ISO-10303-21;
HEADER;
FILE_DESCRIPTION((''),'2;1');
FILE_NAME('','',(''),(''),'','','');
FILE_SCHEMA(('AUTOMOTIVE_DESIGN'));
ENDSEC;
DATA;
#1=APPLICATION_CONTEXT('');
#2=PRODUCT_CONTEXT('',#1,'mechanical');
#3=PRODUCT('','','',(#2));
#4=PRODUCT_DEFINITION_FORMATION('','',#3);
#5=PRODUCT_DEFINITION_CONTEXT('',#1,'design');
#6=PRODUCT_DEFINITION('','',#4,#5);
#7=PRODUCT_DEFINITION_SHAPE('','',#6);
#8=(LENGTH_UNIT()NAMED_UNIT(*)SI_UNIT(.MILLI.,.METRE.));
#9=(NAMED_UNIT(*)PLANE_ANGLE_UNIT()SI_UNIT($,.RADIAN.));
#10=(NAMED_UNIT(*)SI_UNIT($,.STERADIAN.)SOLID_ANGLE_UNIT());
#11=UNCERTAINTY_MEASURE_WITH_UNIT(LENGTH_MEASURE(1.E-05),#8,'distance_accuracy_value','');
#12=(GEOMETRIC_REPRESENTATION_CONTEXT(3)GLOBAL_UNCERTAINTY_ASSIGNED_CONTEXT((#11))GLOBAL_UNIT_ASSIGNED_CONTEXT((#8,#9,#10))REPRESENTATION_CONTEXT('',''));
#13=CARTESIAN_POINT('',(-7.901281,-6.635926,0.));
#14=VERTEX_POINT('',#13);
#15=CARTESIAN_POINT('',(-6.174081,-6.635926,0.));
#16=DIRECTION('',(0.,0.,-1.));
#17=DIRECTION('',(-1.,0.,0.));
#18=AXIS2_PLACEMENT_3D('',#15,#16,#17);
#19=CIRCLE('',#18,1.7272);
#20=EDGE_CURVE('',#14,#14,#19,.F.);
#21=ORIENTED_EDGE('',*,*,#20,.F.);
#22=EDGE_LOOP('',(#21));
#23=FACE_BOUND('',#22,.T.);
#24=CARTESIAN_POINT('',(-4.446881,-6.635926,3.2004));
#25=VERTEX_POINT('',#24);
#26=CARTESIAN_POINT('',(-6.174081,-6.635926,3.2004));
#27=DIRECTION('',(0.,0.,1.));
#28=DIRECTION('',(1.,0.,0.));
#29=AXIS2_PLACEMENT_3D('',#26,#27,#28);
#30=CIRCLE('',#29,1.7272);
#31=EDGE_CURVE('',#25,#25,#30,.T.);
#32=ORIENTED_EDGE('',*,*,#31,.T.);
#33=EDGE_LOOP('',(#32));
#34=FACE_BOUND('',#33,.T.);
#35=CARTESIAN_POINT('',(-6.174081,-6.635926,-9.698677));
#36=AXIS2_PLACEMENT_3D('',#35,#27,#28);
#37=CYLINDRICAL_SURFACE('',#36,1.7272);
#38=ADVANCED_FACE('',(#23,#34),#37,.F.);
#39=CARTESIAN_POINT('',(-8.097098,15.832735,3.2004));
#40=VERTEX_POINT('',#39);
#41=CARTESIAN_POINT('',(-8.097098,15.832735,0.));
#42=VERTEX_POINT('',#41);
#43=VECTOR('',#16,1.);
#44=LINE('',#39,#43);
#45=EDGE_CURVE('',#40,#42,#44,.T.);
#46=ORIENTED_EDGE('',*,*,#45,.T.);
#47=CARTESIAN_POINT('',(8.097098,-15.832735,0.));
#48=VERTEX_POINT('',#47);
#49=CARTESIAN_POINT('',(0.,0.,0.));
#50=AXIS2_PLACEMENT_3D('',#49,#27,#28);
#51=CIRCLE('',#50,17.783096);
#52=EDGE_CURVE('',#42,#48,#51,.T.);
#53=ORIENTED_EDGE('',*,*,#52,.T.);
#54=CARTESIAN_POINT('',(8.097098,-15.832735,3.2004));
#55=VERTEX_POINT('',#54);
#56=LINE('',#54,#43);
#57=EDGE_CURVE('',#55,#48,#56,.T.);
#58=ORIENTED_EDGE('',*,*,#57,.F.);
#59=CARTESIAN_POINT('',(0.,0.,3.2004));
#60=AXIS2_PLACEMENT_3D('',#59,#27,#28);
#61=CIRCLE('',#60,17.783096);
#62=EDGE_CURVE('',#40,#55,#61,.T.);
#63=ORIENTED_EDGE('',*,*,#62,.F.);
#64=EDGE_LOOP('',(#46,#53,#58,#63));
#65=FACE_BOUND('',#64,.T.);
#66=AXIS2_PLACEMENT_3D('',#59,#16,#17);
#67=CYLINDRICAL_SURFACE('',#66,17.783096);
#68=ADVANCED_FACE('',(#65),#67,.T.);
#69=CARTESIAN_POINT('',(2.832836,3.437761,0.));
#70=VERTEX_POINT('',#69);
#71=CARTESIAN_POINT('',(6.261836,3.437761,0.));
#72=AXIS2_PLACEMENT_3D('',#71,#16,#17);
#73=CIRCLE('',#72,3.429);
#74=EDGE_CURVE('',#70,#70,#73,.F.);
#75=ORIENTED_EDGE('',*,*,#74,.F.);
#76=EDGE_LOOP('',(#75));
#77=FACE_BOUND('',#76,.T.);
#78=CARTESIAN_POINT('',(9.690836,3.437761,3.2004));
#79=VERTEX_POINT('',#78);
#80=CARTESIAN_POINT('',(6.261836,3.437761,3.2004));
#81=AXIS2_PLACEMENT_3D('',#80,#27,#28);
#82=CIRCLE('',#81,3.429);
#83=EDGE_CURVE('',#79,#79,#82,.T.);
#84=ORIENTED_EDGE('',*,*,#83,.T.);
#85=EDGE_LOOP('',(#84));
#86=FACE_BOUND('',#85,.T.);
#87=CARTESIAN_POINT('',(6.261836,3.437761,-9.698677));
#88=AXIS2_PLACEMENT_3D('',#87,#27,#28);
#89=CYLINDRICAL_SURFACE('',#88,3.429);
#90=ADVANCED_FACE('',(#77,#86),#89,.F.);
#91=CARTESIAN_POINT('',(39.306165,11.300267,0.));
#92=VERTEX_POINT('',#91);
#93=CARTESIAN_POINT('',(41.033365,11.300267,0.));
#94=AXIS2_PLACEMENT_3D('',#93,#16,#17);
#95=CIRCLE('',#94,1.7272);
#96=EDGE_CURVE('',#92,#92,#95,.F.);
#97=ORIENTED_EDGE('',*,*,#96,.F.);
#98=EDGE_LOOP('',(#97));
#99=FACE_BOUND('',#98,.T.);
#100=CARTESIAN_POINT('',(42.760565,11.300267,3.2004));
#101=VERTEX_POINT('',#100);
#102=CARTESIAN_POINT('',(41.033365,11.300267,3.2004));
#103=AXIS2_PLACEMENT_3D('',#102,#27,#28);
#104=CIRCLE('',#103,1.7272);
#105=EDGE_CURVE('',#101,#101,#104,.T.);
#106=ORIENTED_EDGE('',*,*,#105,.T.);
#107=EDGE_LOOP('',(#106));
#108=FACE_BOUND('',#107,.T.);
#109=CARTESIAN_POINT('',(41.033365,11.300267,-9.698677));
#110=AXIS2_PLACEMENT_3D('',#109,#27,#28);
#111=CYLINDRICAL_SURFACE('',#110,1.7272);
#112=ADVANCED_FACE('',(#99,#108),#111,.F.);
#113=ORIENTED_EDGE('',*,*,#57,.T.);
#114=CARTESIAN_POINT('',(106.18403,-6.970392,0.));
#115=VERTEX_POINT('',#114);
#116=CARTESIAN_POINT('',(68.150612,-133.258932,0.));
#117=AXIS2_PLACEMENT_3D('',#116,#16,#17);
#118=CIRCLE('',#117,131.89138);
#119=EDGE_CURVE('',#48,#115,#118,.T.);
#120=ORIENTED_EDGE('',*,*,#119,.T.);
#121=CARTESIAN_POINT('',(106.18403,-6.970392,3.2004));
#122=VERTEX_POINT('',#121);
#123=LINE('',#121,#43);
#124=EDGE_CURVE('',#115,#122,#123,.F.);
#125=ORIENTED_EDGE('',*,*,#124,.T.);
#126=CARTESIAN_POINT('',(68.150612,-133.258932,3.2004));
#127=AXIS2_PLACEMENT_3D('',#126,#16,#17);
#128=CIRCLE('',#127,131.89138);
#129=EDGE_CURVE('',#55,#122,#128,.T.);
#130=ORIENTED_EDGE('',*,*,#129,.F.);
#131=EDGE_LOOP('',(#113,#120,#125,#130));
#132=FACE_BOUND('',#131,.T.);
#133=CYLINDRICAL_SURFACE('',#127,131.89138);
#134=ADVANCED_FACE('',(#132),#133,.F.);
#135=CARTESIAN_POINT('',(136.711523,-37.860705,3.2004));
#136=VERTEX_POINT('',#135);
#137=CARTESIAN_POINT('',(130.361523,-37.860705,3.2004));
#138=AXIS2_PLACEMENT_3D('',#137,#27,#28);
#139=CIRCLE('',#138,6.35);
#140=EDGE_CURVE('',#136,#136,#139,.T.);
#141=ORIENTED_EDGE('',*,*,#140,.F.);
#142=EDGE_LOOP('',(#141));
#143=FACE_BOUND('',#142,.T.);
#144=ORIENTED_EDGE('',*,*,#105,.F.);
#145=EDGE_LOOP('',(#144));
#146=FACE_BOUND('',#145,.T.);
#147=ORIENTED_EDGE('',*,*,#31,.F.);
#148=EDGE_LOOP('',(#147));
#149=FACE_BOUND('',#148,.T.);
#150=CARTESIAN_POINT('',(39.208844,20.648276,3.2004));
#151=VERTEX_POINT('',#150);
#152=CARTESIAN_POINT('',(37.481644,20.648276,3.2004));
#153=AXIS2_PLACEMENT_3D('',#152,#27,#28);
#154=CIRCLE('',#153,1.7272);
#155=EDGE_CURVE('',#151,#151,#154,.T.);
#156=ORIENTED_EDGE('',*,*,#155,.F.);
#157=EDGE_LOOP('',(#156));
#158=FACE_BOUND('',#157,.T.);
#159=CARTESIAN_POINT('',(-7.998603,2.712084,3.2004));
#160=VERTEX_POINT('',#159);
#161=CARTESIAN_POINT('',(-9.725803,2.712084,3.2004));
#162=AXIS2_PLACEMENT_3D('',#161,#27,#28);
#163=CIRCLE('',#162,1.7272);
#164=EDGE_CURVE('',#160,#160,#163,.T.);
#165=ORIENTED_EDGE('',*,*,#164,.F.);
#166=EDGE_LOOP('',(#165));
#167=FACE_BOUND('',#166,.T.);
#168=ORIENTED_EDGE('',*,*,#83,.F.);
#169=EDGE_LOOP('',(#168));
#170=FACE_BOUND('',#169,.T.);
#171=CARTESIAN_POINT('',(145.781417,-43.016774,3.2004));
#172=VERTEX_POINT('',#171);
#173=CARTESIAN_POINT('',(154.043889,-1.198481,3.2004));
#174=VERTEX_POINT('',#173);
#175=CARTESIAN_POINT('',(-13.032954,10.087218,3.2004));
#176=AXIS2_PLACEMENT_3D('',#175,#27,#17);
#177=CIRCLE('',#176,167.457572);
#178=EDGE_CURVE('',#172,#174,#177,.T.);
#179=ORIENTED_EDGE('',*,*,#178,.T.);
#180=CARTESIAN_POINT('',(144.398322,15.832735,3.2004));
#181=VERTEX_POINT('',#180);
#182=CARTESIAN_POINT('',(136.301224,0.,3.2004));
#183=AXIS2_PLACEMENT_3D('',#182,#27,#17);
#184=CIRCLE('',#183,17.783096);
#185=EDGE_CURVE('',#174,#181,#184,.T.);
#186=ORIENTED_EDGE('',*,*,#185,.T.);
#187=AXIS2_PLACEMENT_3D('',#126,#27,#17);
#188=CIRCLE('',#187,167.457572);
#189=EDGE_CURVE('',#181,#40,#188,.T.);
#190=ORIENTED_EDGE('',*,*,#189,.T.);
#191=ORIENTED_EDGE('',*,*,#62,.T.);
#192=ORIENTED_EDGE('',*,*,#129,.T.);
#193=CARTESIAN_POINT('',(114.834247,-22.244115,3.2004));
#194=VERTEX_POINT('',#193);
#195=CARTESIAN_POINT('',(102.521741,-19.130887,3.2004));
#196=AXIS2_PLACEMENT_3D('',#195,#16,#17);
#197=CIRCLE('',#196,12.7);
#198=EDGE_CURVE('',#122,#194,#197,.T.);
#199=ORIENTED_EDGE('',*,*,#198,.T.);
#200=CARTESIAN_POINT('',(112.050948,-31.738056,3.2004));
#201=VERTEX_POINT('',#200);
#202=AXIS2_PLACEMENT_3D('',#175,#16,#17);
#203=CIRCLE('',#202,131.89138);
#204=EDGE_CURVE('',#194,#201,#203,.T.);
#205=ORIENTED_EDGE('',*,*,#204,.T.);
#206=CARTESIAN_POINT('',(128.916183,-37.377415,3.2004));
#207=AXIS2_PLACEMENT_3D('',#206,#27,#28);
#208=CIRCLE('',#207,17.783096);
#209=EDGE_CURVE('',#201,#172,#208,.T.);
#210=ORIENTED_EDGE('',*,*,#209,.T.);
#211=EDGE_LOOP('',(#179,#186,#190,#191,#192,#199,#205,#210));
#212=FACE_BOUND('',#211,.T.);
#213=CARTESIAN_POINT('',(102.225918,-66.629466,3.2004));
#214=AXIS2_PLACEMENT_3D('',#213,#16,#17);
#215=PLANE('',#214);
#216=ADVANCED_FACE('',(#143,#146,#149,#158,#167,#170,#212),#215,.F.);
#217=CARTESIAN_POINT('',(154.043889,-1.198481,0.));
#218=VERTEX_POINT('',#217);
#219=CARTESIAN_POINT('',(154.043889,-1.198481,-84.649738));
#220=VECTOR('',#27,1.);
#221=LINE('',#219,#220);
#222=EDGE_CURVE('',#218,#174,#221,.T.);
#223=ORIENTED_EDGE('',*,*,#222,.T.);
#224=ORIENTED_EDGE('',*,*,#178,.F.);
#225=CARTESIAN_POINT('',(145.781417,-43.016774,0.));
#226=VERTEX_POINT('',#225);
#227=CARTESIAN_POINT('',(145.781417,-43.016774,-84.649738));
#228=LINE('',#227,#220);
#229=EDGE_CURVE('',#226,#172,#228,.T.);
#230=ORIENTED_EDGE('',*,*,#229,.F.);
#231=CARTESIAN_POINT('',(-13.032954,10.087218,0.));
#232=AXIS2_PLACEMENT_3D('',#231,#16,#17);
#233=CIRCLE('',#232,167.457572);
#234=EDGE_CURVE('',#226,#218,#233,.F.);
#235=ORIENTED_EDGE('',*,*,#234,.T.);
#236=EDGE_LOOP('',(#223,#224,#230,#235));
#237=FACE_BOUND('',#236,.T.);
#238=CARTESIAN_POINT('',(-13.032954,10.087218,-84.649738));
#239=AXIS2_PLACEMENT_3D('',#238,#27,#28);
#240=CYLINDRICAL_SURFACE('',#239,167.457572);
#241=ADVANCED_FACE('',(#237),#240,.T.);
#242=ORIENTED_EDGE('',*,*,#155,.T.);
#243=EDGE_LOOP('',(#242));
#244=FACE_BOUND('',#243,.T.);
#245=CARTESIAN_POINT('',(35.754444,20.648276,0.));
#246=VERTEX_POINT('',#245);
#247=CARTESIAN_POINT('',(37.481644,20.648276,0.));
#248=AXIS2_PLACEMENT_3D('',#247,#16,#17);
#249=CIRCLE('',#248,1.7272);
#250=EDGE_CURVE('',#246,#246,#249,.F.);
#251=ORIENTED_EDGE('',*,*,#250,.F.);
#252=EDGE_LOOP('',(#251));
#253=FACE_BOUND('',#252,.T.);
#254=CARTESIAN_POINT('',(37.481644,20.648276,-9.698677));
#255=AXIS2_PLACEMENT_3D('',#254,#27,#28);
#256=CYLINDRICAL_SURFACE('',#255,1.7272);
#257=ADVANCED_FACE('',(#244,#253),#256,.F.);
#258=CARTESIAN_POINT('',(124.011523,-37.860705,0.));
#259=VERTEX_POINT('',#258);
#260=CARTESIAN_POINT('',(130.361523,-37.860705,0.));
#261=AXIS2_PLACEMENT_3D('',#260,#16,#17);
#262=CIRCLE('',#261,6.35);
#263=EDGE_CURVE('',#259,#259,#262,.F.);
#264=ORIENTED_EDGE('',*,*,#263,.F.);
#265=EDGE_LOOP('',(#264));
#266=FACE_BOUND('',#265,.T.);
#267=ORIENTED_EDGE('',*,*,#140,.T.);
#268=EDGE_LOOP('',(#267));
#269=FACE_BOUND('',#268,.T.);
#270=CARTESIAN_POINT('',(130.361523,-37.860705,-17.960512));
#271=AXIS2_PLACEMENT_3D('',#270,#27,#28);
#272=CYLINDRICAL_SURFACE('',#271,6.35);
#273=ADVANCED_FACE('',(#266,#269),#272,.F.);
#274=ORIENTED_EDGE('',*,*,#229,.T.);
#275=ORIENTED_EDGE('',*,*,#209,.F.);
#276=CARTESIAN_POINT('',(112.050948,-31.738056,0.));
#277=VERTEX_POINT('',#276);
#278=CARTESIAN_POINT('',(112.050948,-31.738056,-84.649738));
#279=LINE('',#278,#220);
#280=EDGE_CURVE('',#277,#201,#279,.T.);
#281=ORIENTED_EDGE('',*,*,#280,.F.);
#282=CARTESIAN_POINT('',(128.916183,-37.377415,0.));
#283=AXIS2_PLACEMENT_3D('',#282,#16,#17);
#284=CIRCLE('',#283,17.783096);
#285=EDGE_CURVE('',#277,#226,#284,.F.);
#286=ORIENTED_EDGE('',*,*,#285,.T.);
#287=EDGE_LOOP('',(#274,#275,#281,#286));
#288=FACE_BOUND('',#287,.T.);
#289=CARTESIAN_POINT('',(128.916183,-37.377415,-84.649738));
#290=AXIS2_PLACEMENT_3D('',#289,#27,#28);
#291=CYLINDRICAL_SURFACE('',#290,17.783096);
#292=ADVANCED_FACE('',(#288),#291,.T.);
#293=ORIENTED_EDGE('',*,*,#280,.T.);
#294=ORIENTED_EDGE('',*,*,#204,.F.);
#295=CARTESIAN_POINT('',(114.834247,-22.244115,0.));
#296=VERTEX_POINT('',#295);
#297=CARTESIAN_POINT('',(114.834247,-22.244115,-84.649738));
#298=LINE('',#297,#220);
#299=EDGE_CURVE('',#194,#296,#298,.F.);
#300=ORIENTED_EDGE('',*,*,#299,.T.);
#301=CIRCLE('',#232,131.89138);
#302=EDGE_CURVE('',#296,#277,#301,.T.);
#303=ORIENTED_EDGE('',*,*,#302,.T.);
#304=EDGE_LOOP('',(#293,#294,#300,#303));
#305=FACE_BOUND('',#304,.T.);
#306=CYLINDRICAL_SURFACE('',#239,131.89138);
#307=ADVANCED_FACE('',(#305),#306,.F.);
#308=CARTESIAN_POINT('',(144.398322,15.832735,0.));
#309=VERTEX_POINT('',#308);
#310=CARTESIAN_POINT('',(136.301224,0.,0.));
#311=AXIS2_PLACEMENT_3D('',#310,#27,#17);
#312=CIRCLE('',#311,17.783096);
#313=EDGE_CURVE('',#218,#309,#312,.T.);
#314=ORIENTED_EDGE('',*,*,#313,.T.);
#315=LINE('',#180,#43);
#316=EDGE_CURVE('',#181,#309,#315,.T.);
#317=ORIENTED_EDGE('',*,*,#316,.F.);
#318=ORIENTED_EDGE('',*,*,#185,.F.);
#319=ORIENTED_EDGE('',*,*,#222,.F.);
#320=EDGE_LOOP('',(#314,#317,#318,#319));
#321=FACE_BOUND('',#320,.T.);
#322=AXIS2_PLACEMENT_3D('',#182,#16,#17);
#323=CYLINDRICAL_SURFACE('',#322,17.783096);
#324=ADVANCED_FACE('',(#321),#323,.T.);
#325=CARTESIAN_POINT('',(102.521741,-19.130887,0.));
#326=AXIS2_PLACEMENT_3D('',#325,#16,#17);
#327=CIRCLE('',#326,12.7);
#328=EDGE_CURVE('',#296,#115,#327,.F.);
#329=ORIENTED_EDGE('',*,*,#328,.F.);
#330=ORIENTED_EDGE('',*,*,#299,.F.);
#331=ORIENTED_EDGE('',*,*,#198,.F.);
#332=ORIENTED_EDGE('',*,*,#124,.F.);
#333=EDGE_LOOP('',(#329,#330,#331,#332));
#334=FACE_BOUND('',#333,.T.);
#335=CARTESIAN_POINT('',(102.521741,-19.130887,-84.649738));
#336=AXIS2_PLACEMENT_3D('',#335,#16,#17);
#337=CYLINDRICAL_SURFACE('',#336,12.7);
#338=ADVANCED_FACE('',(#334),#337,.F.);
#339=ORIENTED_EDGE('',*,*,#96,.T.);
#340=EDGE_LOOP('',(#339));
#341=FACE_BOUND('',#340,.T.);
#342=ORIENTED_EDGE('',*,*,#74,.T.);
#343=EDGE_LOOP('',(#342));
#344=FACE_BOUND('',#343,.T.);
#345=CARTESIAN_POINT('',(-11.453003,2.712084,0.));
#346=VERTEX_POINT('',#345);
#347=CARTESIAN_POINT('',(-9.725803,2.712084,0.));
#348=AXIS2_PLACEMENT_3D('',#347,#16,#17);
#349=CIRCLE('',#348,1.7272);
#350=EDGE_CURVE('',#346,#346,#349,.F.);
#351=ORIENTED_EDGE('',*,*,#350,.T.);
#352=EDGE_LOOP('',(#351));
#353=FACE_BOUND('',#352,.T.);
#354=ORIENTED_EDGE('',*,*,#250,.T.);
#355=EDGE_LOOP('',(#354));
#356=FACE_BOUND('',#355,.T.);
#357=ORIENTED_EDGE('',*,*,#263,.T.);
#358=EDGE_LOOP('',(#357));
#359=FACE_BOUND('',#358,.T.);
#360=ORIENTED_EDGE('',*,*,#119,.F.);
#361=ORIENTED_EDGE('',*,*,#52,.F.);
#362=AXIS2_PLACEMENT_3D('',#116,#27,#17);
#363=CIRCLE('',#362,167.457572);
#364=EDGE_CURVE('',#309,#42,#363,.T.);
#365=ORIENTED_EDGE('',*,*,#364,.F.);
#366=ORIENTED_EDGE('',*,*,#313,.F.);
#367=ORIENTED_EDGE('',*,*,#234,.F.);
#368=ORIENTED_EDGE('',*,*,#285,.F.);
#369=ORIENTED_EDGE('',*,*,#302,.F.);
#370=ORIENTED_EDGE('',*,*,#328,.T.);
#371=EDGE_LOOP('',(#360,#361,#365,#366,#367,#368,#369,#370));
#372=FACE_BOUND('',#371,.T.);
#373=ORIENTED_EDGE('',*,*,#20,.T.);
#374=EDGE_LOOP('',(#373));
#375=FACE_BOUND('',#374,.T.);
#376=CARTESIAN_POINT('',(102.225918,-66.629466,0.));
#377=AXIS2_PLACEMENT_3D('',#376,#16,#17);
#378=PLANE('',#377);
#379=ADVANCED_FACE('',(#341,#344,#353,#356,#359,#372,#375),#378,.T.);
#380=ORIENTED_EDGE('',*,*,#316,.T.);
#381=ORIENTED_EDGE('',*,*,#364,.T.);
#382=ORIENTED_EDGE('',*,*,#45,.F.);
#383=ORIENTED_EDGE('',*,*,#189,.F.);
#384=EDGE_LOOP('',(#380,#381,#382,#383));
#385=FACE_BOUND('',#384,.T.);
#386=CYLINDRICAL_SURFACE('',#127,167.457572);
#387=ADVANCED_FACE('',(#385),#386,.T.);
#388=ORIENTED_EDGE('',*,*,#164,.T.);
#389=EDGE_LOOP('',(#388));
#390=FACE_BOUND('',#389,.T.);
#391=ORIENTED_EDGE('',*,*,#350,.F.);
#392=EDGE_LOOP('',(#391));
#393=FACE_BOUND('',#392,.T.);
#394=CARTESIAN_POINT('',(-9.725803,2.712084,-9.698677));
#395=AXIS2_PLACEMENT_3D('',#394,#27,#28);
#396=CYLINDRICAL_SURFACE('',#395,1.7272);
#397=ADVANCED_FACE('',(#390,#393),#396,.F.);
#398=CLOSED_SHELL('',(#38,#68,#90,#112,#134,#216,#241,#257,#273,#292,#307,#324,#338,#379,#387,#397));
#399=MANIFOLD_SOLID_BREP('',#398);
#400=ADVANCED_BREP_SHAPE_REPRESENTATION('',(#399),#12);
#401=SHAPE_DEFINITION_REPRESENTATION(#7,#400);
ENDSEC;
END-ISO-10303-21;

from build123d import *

# Parameters (mm, degrees)
BOSS_EXTRUDE1_DEPTH = 3.2004
SKETCH2_R           = 1.7272
SKETCH2_R_2         = 3.429
CUT_EXTRUDE1_DEPTH  = 3.2004
BOSS_EXTRUDE2_START = -3.2004
BOSS_EXTRUDE2_DEPTH = 3.2004
SKETCH4_R           = 6.35
CUT_EXTRUDE2_DEPTH  = 3.2004
FILLET1_R           = 12.7


with BuildPart() as part:
    # Sketch1 → Boss-Extrude1 (new body)
    with BuildSketch(Plane.XY):
        with BuildLine():
            ThreePointArc((-8.097097761, 15.832735205), (68.150612211, 34.198640293), (144.398322183, 15.832735205))
            ThreePointArc((144.398322183, 15.832735205), (152.133959628, -8.097097761), (128.204126662, -15.832735205))
            ThreePointArc((128.204126662, -15.832735205), (68.150612211, -1.367551307), (8.097097761, -15.832735205))
            ThreePointArc((8.097097761, -15.832735205), (-15.832735205, -8.097097761), (-8.097097761, 15.832735205))
        make_face()
    extrude(amount=BOSS_EXTRUDE1_DEPTH)

    # Sketch2 → Cut-Extrude1 (cut)
    with BuildSketch(Plane.XY.offset(3.2004)):
        with Locations((41.033365074, 11.300266799)):
            Circle(SKETCH2_R)
        with Locations((-9.725802761, 2.712083558)):
            Circle(SKETCH2_R)
        with Locations((-6.174081457, -6.6359257)):
            Circle(SKETCH2_R)
        with Locations((37.48164377, 20.648276058)):
            Circle(SKETCH2_R)
        with Locations((6.261836343, 3.437760818)):
            Circle(SKETCH2_R_2)
    extrude(amount=-CUT_EXTRUDE1_DEPTH, mode=Mode.SUBTRACT)

    # Sketch3 → Boss-Extrude2 (add)
    with BuildSketch(Plane.XY.offset(3.2004).offset(BOSS_EXTRUDE2_START)):
        with BuildLine():
            ThreePointArc((118.558560015, 1.198480685), (137.499705108, 17.742664408), (154.04388883, -1.198480685))
            ThreePointArc((154.04388883, -1.198480685), (151.248704167, -22.371604894), (145.781416871, -43.0167742))
            ThreePointArc((145.781416871, -43.0167742), (123.276823543, -54.242649292), (112.05094845, -31.738055964))
            ThreePointArc((112.05094845, -31.738055964), (116.357042584, -15.477699112), (118.558560015, 1.198480685))
        make_face()
    extrude(amount=BOSS_EXTRUDE2_DEPTH)

    # Sketch4 → Cut-Extrude2 (cut)
    with BuildSketch(Plane.XY.offset(3.2004)):
        with Locations((130.361522506, -37.860704571)):
            Circle(SKETCH4_R)
    extrude(amount=-CUT_EXTRUDE2_DEPTH, mode=Mode.SUBTRACT)

    # Fillet1
    fillet1_edges = [part.edges().sort_by_distance(p)[0] for p in [
        (117.190242121, -10.823434725, 1.6002),
    ]]
    fillet(fillet1_edges, radius=FILLET1_R)


solid = part.part
